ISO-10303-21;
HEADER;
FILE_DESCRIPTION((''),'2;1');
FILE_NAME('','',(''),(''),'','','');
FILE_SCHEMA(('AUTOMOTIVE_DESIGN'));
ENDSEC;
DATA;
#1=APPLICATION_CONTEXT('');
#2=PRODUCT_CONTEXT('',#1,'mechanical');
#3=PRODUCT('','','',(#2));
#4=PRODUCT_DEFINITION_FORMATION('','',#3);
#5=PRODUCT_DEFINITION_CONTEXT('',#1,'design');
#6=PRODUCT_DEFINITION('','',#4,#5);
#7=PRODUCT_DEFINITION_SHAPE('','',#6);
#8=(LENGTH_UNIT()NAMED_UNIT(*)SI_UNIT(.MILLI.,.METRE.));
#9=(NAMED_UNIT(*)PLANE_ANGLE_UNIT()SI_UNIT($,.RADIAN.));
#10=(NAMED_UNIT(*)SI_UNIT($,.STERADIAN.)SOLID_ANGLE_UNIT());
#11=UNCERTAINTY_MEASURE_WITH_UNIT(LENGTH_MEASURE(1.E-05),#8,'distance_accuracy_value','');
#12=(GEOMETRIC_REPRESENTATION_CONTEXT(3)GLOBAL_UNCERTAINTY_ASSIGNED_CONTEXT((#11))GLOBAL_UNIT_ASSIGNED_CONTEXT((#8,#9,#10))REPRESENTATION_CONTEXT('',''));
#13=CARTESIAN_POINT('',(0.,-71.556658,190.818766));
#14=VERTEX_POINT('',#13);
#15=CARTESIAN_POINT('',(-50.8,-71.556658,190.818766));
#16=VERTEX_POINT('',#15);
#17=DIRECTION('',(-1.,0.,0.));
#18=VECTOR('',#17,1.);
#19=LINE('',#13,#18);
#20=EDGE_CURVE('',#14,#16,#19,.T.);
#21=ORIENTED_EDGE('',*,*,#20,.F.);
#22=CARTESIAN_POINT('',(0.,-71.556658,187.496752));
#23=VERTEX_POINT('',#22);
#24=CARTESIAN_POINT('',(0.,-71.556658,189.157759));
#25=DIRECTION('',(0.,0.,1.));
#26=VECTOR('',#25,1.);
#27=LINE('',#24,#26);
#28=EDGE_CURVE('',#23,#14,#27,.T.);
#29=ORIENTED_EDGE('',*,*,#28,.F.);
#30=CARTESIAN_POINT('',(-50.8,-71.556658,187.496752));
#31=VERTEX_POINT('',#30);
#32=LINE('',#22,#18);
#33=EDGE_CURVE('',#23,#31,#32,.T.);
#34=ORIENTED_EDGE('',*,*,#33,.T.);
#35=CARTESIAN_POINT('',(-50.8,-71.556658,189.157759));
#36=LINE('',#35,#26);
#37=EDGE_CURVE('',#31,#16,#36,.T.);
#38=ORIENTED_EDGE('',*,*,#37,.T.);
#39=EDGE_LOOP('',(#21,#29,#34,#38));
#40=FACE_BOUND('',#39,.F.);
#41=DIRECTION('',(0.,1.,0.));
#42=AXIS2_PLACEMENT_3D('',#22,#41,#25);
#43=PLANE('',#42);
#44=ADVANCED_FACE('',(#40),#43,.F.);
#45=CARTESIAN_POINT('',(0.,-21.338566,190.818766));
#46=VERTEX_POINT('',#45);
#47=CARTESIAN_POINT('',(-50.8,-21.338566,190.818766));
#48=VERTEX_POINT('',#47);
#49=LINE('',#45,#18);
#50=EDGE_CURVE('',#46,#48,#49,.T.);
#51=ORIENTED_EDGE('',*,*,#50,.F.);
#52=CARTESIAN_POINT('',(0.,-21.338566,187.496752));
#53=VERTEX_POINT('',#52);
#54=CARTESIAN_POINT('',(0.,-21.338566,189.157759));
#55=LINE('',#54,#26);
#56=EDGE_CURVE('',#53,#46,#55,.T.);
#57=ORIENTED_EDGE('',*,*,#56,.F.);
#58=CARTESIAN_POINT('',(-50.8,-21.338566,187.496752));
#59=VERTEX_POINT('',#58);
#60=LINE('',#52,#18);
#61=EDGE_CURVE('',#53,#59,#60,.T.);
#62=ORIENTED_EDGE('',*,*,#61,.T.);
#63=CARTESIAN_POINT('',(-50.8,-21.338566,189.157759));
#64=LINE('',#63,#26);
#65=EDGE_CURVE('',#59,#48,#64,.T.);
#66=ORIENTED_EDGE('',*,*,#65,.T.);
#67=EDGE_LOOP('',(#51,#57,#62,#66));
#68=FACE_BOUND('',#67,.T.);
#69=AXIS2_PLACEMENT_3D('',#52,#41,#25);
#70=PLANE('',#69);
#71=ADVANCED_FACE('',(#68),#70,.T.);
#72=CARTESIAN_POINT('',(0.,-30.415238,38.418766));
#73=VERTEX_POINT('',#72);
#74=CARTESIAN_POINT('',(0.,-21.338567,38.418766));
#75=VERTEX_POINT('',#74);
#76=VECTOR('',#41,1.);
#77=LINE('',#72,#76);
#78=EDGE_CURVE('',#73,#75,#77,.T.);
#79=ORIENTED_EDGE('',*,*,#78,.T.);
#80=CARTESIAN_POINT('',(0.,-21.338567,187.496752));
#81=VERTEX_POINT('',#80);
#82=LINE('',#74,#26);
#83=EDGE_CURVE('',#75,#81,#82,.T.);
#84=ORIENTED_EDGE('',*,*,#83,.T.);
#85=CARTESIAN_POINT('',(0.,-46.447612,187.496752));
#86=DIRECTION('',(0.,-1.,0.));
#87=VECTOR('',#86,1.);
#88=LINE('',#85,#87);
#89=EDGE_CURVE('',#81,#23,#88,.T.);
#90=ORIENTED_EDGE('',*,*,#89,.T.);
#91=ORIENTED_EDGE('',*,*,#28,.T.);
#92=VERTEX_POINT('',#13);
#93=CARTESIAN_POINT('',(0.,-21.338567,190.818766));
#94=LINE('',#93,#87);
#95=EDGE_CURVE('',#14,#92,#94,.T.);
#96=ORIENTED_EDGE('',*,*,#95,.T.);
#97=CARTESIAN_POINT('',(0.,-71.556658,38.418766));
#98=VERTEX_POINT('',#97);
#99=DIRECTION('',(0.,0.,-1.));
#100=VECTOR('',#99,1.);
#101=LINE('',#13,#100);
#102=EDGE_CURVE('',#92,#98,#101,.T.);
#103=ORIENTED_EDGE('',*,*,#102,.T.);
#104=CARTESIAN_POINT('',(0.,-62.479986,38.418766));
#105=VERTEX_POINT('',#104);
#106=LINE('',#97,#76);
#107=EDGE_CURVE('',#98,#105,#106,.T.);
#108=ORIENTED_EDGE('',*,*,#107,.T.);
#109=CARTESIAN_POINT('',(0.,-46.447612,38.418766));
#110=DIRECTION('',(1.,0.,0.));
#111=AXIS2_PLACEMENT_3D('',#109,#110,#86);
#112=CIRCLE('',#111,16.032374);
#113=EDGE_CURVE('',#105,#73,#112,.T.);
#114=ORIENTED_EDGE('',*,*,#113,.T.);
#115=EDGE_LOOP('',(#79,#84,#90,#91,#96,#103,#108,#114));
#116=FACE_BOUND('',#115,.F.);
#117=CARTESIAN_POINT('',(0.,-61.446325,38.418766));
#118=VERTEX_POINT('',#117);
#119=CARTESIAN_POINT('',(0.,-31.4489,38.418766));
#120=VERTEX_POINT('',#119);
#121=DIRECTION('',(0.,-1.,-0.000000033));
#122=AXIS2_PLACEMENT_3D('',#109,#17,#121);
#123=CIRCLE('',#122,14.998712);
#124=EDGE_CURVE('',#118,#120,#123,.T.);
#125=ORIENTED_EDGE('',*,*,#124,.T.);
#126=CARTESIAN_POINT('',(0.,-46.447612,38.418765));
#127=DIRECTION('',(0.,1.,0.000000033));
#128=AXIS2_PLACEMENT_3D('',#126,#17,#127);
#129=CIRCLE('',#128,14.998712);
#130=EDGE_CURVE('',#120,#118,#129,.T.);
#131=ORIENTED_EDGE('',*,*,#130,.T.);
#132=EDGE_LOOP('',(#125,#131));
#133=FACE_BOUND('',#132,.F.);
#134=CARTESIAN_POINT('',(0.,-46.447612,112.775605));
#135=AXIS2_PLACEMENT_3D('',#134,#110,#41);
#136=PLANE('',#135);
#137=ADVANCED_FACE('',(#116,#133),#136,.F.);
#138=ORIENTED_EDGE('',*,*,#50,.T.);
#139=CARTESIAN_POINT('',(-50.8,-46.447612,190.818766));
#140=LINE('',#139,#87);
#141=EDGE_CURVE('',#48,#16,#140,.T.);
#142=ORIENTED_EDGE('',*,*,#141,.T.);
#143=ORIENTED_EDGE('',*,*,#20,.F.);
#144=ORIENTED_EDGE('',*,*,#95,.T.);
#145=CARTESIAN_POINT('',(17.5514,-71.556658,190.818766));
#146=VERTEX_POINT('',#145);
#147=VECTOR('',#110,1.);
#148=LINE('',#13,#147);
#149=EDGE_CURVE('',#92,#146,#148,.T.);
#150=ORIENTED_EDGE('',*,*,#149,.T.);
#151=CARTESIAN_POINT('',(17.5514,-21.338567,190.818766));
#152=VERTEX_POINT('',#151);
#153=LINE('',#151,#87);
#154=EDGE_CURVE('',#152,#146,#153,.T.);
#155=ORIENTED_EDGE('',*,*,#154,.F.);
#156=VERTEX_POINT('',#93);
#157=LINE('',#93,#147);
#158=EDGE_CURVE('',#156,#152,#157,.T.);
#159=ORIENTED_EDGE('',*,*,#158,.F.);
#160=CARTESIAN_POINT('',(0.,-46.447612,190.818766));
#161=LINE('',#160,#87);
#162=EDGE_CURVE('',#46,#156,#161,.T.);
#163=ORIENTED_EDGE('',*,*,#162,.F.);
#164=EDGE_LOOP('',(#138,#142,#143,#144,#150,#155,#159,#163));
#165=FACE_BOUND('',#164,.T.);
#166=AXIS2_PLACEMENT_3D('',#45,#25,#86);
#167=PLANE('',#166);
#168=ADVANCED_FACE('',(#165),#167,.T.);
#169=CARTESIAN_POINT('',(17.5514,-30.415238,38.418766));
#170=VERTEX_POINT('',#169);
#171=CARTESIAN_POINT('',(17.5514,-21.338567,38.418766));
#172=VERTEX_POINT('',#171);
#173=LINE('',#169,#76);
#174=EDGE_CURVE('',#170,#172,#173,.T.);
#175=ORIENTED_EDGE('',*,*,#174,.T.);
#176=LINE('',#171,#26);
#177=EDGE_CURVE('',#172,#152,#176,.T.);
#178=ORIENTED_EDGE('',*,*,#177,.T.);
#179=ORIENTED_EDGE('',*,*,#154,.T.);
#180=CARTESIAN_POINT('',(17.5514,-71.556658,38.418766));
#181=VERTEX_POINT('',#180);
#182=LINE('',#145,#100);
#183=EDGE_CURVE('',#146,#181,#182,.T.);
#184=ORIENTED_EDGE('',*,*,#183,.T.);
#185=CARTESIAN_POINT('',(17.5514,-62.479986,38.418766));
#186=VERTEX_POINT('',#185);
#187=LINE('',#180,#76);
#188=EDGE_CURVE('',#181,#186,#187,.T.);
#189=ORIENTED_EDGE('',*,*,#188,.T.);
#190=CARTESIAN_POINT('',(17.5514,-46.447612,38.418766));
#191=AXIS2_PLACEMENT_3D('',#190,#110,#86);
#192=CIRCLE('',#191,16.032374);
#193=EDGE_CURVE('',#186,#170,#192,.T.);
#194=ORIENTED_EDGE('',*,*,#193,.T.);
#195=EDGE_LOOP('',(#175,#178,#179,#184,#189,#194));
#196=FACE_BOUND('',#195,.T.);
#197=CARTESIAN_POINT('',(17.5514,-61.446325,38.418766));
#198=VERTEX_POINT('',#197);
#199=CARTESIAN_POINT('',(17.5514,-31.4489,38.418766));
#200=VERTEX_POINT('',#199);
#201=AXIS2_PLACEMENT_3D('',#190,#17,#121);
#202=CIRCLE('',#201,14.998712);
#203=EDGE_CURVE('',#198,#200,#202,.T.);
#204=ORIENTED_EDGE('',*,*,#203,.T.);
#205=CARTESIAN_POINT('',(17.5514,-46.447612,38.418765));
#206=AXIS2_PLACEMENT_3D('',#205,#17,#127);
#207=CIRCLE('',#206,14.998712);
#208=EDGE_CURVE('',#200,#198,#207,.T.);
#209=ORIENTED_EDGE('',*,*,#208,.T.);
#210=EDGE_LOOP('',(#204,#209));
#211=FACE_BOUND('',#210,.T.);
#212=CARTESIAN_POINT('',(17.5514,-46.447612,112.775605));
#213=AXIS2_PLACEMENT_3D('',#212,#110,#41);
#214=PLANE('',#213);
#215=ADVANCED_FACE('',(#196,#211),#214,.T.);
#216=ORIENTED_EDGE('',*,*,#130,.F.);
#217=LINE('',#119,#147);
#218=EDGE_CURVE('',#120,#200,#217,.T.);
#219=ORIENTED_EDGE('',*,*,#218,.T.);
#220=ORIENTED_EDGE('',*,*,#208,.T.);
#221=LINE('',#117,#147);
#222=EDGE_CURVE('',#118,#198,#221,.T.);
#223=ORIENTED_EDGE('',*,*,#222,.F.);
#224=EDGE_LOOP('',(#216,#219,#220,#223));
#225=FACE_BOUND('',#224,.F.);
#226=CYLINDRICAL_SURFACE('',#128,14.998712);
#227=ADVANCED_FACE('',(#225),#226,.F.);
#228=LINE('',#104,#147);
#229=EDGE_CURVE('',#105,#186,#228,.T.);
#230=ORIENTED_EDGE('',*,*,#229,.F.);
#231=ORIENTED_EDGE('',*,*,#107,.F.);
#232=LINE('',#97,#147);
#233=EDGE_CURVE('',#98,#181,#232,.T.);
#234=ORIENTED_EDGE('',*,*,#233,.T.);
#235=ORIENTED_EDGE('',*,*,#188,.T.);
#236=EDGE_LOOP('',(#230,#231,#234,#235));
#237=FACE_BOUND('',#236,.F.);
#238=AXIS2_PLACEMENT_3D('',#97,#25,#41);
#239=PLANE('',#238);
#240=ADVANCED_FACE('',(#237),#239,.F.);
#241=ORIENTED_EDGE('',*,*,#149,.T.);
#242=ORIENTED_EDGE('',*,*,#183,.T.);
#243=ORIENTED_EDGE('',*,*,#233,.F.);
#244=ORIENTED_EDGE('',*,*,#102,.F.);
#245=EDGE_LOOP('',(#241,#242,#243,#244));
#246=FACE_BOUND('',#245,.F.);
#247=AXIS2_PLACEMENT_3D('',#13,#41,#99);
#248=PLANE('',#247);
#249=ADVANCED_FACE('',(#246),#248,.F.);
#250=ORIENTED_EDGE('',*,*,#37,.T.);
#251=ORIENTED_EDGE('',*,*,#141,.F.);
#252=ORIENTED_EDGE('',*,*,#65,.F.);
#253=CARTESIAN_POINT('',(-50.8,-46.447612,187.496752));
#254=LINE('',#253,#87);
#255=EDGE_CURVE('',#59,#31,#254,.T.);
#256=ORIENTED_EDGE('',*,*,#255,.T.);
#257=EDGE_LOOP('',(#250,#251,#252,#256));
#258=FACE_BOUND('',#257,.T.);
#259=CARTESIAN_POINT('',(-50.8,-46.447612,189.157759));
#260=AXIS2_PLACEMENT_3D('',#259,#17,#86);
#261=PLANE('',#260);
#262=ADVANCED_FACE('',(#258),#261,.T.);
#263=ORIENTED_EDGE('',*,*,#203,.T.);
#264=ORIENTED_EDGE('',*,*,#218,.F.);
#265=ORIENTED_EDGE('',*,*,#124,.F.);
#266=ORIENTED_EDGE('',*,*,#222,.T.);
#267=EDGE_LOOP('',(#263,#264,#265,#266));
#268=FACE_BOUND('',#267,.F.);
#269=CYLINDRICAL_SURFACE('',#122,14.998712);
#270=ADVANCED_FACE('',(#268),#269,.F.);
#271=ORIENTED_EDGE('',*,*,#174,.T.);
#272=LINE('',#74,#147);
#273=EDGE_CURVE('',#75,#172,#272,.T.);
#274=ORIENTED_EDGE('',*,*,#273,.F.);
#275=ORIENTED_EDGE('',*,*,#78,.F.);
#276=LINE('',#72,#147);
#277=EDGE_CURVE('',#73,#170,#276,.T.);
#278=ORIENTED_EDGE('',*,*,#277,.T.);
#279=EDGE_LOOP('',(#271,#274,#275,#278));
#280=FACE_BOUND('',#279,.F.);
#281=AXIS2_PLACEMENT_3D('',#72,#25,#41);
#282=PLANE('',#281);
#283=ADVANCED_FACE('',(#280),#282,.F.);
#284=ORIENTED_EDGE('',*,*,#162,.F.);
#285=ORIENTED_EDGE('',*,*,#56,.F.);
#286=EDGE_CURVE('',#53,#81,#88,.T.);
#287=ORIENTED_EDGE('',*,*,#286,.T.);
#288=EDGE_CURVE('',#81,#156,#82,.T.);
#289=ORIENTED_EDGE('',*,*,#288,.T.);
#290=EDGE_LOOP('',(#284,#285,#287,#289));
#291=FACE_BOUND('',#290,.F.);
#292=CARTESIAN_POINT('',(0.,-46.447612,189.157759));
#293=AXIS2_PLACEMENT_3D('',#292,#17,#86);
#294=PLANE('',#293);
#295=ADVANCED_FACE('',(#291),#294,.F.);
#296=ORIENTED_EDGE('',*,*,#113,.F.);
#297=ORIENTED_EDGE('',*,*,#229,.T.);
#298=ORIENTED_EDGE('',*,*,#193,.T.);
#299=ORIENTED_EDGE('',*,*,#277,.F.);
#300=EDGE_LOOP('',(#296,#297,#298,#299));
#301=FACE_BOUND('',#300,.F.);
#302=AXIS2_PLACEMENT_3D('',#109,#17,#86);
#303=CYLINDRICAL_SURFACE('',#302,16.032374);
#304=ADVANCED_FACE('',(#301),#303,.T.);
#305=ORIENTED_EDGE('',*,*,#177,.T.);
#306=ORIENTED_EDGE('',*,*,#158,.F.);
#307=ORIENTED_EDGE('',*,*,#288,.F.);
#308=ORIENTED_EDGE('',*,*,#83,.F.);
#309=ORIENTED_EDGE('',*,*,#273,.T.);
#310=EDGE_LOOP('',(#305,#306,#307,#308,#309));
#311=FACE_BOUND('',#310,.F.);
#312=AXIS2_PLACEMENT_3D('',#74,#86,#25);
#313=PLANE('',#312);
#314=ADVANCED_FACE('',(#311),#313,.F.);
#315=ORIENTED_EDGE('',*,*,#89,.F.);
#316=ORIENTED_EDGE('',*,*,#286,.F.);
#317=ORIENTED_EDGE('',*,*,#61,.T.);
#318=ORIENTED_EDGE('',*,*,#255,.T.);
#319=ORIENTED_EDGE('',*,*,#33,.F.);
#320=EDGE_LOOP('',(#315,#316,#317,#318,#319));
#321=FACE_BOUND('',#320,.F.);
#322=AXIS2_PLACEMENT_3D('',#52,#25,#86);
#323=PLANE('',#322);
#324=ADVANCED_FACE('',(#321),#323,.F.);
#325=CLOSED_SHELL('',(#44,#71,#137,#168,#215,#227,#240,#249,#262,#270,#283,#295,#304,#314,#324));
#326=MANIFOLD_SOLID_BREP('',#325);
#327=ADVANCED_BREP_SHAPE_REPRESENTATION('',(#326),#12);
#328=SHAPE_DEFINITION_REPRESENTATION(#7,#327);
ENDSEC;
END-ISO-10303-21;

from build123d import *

# Parameters (mm, degrees)
F1_DEPTH = 17.5514
F2_W     = 50.218091
F2_H     = 3.322014
F3_DEPTH = 50.8


with BuildPart() as f1:
    # F0 (on Right) → F1 (new body)
    with BuildSketch(Plane.YZ):
        with BuildLine():
            ThreePointArc((-62.479986, 38.418766), (-46.447612, 54.45114), (-30.415238, 38.418766))
            Line((-30.415238, 38.418766), (-21.338567, 38.418766))
            Line((-21.338567, 38.418766), (-21.338567, 190.818766))
            Line((-21.338567, 190.818766), (-71.556658, 190.818766))
            Line((-71.556658, 190.818766), (-71.556658, 38.418766))
            Line((-71.556658, 38.418766), (-62.479986, 38.418766))
        make_face()
        with BuildLine():
            Line((-30.415238, 38.418766), (-31.4489, 38.418766))
            ThreePointArc((-31.4489, 38.418766), (-46.447612, 23.420053), (-61.446325, 38.418766))
            Line((-61.446325, 38.418766), (-62.479986, 38.418766))
            ThreePointArc((-62.479986, 38.418766), (-46.447612, 22.386392), (-30.415238, 38.418766))
        make_face()
        with BuildLine():
            ThreePointArc((-61.446325, 38.418766), (-46.447612, 53.417479), (-31.4489, 38.418766))
            Line((-31.4489, 38.418766), (-30.415238, 38.418766))
            ThreePointArc((-30.415238, 38.418766), (-46.447612, 54.45114), (-62.479986, 38.418766))
            Line((-62.479986, 38.418766), (-61.446325, 38.418766))
        make_face()
    extrude(amount=F1_DEPTH)

    # F2 (on face) → F3 (join)
    with BuildSketch(Plane(origin=(0, 0, 0), x_dir=(0, -1, 0), z_dir=(-1, 0, 0))):
        with Locations((46.447612, 189.157759)):
            Rectangle(F2_W, F2_H)
    extrude(amount=F3_DEPTH)


solid = f1.part
